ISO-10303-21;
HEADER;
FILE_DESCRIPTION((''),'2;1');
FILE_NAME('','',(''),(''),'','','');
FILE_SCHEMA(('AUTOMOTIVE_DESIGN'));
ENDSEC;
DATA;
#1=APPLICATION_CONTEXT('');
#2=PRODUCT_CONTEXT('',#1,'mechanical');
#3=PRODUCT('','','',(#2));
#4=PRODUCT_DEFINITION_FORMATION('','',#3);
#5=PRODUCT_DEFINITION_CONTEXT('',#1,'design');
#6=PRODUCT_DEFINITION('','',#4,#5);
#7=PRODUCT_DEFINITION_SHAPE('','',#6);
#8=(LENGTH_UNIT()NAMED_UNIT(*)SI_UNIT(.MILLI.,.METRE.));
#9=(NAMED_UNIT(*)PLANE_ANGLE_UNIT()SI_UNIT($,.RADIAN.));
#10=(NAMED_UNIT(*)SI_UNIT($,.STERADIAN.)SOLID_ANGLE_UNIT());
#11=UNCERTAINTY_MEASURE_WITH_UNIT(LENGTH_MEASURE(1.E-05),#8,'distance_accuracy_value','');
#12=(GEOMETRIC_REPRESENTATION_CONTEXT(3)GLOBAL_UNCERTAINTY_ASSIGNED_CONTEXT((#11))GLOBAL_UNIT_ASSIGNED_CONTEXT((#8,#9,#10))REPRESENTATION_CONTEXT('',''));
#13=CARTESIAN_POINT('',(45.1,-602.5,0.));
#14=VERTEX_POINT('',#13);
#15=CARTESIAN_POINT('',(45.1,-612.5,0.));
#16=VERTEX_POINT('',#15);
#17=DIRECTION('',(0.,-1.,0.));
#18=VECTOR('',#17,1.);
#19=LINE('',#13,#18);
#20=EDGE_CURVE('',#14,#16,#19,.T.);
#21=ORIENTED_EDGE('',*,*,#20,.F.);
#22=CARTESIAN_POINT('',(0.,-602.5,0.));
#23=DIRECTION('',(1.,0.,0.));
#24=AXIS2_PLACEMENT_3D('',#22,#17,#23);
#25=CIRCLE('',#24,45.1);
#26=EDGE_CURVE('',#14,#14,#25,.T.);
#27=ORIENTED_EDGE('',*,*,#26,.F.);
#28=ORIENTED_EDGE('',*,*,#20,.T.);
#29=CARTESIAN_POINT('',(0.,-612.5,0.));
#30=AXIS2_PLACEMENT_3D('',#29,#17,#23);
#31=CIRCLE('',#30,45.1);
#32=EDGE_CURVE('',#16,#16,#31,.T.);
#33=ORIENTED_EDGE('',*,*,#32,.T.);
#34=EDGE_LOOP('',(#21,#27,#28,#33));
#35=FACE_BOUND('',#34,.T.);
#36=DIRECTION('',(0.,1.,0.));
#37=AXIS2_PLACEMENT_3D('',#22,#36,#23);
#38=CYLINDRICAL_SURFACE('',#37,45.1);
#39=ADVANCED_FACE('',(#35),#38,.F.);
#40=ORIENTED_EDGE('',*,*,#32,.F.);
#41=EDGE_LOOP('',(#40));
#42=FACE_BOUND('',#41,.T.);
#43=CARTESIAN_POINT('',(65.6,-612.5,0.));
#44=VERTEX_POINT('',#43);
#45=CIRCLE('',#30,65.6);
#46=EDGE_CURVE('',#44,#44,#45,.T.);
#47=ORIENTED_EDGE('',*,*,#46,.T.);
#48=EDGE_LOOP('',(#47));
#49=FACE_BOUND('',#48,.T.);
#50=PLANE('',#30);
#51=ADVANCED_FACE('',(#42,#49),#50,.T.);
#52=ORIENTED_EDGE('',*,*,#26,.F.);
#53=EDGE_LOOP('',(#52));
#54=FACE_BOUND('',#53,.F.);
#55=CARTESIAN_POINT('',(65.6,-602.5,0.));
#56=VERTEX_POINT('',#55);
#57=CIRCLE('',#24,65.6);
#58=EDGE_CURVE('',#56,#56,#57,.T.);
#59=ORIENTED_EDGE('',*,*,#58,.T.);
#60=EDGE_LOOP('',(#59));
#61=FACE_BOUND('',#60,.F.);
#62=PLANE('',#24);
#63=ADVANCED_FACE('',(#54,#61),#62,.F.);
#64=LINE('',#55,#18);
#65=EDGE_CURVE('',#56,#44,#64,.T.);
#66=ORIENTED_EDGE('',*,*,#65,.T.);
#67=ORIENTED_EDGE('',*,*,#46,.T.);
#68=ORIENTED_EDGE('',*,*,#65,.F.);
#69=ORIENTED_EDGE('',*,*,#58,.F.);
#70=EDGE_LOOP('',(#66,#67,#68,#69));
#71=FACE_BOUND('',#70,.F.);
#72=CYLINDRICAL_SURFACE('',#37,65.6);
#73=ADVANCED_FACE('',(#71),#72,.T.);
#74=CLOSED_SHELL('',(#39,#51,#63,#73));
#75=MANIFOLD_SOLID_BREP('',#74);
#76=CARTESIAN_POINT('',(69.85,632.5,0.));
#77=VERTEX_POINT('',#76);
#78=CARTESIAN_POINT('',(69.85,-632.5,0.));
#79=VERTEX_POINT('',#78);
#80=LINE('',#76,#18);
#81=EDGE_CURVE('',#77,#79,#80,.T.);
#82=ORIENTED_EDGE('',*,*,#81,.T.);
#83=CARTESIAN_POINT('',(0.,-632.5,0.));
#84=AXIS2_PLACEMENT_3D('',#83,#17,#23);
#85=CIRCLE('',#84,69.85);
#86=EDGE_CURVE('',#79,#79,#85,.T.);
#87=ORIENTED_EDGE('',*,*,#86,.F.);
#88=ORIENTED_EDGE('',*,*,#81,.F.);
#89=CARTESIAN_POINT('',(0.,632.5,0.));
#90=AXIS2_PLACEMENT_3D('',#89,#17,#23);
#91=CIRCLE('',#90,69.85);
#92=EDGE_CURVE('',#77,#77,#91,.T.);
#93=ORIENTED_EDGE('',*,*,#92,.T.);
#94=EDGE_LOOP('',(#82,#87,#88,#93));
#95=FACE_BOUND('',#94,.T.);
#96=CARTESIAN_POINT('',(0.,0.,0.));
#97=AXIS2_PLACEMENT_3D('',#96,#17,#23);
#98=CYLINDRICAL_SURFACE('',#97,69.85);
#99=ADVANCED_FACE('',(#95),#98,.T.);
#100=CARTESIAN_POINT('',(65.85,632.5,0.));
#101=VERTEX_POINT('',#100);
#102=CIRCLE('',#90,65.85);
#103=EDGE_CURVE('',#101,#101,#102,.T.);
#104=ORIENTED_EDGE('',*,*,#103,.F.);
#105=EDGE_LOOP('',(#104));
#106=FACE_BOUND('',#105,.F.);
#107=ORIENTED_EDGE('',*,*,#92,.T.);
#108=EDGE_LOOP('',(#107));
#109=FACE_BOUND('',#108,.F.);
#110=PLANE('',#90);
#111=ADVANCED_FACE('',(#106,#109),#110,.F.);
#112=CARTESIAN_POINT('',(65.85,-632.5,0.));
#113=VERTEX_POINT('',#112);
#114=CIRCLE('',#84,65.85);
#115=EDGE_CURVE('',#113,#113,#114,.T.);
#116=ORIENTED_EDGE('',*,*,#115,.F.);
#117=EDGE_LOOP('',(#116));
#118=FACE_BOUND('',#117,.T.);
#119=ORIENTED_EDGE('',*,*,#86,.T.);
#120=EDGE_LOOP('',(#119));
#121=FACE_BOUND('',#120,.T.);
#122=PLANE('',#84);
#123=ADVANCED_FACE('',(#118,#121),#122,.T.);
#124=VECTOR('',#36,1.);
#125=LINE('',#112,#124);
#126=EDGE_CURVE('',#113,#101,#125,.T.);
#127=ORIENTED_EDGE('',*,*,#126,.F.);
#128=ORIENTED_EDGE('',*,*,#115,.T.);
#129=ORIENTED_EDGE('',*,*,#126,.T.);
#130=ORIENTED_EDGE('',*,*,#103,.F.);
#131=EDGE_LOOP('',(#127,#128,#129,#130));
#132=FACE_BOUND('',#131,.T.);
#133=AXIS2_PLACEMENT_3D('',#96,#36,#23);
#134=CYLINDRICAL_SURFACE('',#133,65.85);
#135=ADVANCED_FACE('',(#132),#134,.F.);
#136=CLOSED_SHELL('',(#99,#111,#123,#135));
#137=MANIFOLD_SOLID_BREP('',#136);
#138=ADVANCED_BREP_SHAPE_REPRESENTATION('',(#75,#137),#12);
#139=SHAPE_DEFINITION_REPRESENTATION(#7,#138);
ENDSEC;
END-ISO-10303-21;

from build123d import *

# Parameters (mm, degrees)
F1_R     = 69.85
F1_R_2   = 65.85
F2_DEPTH = 632.5
F3_START = 602.5
F1_R_3   = 65.6
F1_R_4   = 45.1
F3_DEPTH = 10


with BuildPart() as f2:
    # F1 (on Front) → F2 (new body, symmetric)
    with BuildSketch(Plane.XZ):
        Circle(F1_R)
        Circle(F1_R_2, mode=Mode.SUBTRACT)
    extrude(amount=F2_DEPTH, both=True)


with BuildPart() as f3:
    # F1 (on Front) → F3 (new body)
    with BuildSketch(Plane.XZ.offset(F3_START)):
        Circle(F1_R_3)
        Circle(F1_R_4, mode=Mode.SUBTRACT)
    extrude(amount=F3_DEPTH)


solid = Compound([f2.part, f3.part])
